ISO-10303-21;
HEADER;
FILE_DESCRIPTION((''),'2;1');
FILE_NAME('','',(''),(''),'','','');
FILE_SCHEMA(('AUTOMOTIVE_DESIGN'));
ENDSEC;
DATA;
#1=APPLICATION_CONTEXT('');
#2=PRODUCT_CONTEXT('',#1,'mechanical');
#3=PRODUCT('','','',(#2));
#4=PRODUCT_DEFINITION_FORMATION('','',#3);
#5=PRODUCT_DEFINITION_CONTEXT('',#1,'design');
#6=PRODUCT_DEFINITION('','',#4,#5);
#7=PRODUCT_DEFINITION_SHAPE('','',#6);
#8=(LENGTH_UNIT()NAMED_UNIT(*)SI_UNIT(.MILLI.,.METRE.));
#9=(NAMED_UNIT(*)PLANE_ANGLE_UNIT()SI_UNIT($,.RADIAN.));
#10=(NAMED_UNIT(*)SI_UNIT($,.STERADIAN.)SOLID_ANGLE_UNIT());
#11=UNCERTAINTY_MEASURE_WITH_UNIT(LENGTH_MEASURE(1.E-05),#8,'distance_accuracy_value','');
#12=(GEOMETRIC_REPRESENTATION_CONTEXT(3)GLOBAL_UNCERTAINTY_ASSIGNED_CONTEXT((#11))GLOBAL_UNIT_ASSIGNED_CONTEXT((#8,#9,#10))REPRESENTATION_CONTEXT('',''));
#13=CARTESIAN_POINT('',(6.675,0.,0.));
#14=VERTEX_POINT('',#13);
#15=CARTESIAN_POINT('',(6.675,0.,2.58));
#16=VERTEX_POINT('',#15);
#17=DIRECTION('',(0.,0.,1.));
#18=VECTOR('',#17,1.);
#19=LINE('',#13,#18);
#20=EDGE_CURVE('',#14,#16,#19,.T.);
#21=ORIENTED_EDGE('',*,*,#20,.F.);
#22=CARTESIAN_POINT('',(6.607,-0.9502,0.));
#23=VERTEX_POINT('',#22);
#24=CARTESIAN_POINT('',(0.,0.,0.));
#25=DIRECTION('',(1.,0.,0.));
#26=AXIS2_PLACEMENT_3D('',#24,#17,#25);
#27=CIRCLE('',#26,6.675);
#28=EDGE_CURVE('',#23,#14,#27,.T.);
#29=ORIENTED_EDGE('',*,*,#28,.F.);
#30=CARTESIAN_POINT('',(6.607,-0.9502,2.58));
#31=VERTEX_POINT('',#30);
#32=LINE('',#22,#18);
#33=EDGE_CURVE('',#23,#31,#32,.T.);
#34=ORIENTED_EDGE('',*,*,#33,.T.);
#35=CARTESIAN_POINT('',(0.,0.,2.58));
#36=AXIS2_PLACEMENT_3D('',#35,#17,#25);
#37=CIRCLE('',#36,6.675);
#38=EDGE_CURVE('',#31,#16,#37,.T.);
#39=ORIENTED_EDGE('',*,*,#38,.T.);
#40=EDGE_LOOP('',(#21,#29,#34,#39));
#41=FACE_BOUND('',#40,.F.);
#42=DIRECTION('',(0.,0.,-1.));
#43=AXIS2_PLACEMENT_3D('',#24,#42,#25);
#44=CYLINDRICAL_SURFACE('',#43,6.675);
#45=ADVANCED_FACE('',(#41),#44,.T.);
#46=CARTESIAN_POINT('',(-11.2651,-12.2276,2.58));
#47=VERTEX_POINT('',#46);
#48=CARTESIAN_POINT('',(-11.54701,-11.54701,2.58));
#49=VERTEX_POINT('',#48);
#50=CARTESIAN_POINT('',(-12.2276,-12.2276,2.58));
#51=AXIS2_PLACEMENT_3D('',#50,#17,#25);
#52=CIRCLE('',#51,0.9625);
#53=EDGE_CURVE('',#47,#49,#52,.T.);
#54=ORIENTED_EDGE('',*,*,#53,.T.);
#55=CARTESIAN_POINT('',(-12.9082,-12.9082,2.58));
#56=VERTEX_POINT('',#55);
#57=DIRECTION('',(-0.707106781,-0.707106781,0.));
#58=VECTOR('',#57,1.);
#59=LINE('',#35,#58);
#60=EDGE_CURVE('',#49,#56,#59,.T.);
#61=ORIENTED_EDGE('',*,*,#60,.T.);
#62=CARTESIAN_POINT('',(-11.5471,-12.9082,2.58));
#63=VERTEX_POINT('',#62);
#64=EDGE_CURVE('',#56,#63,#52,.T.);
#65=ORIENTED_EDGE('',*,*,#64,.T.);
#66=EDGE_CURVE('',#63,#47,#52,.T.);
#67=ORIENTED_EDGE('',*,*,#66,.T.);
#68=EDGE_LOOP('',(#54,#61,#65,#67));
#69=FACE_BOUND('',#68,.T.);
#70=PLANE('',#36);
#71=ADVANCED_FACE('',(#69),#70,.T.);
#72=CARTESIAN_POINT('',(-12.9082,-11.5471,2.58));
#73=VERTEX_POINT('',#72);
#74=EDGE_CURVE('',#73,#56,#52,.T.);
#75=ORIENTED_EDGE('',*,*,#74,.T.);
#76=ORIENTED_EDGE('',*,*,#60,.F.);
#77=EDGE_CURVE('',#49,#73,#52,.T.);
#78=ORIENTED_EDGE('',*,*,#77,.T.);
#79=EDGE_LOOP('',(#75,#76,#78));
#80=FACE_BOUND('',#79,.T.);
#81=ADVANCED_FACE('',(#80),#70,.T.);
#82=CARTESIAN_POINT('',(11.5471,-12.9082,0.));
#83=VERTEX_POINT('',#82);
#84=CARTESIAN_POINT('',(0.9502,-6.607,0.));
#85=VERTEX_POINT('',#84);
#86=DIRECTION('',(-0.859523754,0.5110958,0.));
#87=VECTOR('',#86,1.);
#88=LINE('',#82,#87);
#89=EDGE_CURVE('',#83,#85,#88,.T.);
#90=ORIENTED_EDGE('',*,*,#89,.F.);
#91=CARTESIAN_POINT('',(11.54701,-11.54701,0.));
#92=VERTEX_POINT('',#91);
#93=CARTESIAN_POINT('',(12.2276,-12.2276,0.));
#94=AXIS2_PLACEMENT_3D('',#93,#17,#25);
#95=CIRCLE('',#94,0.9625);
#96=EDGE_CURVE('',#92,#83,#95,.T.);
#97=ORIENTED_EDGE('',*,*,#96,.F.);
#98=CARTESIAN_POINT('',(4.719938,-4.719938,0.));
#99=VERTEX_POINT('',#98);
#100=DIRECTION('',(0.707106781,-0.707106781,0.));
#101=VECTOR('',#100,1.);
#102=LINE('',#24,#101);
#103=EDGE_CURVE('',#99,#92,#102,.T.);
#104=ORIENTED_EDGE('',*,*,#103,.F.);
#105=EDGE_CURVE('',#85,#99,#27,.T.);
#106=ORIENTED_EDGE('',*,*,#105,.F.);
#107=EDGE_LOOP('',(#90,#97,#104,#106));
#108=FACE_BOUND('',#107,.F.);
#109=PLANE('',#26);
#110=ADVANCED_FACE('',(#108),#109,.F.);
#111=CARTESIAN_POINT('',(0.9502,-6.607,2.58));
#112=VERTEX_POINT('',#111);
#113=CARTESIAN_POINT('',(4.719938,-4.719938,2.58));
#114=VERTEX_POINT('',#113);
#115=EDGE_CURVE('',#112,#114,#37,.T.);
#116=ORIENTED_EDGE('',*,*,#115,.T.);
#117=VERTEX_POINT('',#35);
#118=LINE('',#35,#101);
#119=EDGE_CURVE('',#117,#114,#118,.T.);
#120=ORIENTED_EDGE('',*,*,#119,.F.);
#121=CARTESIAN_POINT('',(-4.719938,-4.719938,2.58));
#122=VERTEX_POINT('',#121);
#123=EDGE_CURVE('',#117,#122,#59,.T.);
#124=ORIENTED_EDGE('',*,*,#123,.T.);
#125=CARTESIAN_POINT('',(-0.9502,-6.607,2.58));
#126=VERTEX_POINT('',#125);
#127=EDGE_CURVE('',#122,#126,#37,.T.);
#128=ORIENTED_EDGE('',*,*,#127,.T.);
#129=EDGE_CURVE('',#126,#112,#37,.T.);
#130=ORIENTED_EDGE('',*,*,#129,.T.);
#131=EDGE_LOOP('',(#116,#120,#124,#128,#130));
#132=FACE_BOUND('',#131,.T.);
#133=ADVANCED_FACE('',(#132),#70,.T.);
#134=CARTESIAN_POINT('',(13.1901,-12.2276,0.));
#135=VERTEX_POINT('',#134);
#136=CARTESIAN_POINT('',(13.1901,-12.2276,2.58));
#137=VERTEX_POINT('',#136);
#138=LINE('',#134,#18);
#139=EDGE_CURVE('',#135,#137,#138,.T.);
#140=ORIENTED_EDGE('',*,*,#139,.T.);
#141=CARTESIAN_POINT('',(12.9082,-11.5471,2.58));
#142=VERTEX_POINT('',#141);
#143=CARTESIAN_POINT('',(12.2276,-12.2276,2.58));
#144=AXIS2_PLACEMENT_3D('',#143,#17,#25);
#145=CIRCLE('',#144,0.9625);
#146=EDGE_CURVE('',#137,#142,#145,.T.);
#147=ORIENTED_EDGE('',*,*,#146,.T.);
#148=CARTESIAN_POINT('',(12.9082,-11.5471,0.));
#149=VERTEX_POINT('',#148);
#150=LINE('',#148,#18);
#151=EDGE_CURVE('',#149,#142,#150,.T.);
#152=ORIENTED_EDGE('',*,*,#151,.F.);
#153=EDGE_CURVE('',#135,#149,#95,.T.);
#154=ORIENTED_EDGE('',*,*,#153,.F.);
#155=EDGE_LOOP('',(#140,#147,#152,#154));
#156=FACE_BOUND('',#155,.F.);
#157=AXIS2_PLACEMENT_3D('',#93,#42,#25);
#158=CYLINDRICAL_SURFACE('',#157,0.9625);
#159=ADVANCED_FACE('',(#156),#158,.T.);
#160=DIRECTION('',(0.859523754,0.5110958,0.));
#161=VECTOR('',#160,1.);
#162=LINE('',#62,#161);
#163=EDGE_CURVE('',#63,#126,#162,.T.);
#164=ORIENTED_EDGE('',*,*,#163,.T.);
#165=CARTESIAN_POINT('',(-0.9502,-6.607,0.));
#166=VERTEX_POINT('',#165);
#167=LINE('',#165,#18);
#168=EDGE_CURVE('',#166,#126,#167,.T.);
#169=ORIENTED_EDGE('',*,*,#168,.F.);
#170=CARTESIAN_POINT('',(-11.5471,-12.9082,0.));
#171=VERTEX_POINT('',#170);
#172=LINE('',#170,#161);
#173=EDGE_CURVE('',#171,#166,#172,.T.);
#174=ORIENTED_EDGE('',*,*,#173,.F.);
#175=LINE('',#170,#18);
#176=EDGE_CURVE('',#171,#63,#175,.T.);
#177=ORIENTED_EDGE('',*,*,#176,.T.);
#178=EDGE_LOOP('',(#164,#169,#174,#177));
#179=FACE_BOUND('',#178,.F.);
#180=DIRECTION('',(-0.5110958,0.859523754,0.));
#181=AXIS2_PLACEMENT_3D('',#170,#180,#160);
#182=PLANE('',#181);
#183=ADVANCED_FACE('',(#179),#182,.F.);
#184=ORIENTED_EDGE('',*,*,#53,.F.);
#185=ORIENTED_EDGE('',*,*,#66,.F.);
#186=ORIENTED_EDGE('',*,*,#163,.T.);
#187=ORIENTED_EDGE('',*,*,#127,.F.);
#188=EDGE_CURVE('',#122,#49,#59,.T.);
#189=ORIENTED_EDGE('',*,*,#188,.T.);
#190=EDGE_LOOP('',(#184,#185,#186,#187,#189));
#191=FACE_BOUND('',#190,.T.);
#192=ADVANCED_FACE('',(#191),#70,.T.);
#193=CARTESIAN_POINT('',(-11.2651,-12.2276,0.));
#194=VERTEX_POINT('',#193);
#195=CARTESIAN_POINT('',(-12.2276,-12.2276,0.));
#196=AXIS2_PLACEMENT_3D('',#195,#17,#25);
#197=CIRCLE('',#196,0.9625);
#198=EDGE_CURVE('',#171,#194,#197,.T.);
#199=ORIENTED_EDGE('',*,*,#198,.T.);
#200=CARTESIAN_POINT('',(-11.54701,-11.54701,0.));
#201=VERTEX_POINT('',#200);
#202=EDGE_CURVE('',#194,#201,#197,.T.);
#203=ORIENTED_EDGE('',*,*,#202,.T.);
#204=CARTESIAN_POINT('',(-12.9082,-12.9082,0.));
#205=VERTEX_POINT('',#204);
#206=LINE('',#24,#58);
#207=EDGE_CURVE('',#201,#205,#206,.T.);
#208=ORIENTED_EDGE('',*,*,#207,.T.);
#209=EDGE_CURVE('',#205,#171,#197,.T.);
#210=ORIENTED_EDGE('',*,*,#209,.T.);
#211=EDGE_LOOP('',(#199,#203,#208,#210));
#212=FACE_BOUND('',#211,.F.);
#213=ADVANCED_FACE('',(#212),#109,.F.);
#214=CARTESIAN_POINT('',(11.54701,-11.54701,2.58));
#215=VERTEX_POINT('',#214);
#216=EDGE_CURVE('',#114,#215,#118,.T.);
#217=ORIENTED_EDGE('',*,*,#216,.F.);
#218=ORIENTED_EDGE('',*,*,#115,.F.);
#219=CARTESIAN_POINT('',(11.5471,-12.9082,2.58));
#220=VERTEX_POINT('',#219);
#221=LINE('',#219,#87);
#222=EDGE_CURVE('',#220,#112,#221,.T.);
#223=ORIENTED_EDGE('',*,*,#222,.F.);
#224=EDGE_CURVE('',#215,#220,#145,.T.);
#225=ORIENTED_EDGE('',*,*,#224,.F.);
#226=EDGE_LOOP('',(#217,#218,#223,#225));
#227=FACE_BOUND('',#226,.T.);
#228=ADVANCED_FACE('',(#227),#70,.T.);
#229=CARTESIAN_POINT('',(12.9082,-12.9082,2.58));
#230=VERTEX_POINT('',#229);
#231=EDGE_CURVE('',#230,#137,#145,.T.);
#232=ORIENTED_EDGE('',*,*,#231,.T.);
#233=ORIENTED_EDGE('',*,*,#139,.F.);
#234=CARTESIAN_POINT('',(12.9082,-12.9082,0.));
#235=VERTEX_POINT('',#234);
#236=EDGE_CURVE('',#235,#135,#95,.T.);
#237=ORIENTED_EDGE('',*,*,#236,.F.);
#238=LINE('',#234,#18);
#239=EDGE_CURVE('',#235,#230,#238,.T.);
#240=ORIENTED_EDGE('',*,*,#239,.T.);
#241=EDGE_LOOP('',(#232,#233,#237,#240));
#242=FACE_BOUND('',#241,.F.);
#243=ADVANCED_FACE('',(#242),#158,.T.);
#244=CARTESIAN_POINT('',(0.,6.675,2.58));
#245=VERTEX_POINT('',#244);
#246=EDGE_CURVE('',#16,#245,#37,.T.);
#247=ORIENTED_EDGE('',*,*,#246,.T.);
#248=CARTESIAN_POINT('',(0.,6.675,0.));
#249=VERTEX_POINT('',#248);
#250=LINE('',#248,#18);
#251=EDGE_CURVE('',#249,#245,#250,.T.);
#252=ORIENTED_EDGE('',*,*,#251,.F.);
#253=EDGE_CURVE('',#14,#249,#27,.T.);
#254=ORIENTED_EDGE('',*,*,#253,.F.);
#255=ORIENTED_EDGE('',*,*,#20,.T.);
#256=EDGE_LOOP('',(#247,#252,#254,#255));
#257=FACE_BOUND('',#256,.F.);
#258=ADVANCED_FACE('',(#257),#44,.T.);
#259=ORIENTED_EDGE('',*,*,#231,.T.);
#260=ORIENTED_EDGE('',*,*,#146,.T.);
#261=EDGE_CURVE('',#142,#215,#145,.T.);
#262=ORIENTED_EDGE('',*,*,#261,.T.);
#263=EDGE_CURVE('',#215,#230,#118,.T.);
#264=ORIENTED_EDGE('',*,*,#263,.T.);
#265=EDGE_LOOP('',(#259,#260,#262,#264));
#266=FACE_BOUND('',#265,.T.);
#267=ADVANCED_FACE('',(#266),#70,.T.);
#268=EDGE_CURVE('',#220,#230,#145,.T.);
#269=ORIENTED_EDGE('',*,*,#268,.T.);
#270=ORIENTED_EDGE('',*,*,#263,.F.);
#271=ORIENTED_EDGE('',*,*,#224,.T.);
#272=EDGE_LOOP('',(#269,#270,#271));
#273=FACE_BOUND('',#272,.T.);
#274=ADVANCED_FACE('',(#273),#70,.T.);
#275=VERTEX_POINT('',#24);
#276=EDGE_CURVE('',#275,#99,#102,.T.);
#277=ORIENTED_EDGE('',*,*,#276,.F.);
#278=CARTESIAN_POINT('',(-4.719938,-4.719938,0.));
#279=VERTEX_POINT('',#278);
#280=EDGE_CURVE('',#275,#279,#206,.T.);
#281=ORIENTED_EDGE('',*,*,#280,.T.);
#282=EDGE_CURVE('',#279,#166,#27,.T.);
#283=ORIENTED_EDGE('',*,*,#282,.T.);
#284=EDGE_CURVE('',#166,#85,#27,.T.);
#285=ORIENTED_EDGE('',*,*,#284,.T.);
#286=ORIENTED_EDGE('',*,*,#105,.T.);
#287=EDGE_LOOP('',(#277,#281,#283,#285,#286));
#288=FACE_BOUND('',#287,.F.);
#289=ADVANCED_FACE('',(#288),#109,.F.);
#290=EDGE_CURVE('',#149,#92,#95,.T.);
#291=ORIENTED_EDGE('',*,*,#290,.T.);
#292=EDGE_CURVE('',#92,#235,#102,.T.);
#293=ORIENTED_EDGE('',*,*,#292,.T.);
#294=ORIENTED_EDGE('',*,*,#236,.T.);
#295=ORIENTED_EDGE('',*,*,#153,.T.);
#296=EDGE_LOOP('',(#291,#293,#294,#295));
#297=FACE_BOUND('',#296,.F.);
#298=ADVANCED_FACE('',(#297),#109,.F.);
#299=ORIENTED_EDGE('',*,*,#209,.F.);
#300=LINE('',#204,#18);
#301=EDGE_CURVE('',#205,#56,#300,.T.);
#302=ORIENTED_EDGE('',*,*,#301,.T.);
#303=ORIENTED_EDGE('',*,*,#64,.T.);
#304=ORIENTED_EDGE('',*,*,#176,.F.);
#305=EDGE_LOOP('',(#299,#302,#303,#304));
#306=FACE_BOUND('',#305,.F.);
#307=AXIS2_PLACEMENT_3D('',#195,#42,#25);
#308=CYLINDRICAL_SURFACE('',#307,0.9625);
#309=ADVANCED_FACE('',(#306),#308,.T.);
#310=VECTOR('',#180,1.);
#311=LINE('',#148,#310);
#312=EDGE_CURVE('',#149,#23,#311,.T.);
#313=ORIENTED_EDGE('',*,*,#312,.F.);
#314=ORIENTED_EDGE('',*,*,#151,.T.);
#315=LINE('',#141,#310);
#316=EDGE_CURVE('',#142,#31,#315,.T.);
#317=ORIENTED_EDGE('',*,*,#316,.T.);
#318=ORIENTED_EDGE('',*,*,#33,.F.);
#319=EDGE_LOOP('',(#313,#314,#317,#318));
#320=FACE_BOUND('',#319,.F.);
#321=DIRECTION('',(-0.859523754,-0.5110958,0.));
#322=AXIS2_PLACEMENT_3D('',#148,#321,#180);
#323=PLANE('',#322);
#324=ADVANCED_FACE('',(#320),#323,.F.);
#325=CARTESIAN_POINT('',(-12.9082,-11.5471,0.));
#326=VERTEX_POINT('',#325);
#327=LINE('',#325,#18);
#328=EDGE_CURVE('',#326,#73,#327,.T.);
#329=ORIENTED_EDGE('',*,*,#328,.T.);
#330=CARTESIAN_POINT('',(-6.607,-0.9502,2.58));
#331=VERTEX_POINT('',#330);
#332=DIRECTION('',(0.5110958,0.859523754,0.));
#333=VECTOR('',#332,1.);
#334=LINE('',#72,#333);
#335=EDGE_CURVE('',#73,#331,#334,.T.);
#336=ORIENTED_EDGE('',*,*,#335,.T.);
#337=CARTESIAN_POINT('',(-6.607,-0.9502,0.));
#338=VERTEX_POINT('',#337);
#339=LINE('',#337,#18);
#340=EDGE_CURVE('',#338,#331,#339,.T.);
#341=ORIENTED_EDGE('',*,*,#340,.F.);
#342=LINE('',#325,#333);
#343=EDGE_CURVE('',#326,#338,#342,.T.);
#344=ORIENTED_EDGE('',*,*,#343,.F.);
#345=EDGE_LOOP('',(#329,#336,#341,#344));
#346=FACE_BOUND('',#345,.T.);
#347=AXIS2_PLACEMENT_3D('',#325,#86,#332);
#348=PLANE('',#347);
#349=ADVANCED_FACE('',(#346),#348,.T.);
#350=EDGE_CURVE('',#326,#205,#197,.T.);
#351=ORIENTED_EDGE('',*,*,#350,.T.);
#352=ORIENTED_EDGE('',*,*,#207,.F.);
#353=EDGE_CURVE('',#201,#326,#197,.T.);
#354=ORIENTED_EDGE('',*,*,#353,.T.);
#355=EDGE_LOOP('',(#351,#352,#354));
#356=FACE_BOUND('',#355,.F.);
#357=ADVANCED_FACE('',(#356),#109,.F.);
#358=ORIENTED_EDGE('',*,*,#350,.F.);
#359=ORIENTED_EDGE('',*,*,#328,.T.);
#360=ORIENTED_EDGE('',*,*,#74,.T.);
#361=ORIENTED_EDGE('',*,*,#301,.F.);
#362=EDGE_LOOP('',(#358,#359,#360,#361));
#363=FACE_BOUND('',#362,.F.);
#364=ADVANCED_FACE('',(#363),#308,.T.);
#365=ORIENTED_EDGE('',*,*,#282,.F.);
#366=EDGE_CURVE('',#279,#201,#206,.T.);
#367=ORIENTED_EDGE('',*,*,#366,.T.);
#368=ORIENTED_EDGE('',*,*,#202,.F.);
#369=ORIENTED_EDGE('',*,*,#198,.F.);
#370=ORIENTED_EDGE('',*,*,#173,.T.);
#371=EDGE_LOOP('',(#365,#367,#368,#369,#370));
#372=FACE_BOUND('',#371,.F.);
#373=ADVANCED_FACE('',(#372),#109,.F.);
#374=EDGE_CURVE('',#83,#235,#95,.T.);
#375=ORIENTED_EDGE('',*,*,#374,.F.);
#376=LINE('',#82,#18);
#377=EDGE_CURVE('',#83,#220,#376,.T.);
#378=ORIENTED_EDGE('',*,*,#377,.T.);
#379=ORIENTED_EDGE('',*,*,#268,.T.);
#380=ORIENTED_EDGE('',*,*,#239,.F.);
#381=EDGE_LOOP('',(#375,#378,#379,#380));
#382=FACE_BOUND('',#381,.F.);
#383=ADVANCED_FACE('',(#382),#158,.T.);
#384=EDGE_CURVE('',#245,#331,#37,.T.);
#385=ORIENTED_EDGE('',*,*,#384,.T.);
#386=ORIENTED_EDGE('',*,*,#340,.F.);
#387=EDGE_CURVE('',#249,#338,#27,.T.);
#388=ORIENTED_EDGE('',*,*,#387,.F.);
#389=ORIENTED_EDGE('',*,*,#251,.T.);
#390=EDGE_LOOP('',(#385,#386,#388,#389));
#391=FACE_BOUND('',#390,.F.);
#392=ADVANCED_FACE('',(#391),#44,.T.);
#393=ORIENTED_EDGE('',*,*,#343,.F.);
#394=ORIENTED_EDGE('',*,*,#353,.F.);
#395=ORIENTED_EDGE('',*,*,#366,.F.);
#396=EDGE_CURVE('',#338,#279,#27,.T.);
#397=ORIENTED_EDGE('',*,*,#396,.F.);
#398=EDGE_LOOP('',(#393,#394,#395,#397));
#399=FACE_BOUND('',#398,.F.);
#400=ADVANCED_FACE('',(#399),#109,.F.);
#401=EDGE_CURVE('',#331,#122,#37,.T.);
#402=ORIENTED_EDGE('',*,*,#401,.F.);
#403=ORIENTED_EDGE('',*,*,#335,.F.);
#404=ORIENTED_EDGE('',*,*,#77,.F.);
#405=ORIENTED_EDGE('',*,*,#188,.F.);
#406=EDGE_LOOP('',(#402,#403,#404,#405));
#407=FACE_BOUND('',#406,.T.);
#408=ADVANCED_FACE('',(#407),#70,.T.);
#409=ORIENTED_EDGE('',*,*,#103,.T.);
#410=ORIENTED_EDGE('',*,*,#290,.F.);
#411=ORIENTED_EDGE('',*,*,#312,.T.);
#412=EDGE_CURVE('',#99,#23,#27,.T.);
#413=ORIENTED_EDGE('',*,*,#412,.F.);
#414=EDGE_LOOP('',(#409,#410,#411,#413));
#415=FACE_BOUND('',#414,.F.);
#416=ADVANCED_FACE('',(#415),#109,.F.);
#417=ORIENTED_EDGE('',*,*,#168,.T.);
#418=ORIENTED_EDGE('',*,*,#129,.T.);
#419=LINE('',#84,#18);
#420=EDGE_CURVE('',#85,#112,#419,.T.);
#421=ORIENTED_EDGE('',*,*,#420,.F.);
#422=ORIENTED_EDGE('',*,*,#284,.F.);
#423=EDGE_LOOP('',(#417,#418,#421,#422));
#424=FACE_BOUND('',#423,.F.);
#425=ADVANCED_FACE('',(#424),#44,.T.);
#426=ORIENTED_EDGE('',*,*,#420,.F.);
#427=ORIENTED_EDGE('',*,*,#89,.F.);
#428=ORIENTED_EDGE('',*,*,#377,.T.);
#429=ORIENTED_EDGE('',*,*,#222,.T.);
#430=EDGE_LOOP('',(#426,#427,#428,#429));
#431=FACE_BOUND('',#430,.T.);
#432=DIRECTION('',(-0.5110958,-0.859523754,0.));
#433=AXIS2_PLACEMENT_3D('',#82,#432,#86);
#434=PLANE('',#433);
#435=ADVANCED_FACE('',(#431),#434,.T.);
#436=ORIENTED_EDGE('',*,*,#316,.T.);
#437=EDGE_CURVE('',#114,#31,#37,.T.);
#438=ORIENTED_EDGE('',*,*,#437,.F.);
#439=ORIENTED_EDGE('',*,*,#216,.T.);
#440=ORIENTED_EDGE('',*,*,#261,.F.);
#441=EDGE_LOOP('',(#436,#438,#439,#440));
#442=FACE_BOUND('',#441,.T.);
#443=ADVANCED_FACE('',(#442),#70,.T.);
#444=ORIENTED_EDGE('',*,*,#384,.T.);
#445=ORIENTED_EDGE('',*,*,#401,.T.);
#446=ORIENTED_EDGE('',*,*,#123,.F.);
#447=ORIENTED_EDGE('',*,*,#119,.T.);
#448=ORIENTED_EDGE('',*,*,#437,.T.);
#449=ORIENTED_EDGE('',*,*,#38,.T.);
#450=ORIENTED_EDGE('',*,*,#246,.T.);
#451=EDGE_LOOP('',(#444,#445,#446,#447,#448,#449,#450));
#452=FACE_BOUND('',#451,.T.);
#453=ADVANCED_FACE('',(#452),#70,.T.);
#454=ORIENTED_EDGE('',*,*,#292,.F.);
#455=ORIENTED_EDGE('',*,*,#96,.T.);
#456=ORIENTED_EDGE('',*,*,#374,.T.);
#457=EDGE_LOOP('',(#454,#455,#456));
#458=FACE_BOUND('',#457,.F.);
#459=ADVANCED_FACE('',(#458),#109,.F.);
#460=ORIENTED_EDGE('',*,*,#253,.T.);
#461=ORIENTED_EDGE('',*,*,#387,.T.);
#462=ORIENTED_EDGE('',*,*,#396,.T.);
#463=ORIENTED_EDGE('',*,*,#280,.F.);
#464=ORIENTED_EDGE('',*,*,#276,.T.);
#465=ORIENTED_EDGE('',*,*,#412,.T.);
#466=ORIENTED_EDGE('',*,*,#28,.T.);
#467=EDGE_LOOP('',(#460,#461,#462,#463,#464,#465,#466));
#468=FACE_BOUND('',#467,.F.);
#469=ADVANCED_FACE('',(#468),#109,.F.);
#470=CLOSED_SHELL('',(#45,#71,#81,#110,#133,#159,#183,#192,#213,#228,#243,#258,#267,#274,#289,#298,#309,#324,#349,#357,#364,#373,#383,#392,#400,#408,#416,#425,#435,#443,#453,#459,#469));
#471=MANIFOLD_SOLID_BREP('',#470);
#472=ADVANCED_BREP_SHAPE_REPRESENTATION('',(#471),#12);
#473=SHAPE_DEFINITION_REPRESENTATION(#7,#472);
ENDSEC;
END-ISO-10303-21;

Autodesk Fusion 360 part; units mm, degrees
sketch "Sketch1" plane through (0, 0, 0) normal (0, 0, 1) x (1, 0, 0)
  line L0 (0, 0) -> (12.9082, -12.9082)
  line L1 (1.75, 0) -> (22.5, 0)
  line L2 (0, 0) -> (-12.9082, -12.9082)
  circle A0 centre (-12.2276, -12.2276) radius 0.9625
  circle A1 centre (12.2276, -12.2276) radius 0.9625
  circle A2 centre (0, 0) radius 6.675
  line L3 (-13.701, -10.7542) -> (-10.5388, -13.9165) construction
  line L4 (-12.9082, -11.5471) -> (-6.607, -0.9502)
  line L5 (-11.5471, -12.9082) -> (-0.9502, -6.607)
  line L6 (0, 1.75) -> (0, 22.5)
  line L7 (12.9082, -11.5471) -> (6.607, -0.9502)
  line L8 (11.5471, -12.9082) -> (0.9502, -6.607)
  dimension "d1" = 18.255
  dimension "d2" = 45
  dimension "d4" = -90
  dimension "d5" = 1.925
  dimension "d6" = 1.925
  dimension "d7" = 13.35
  dimension "d8" = 8
extrude "Extrude1" add sketch "Sketch1" along normal blind 2.58
sketch "Sketch2" plane through (0, 0, 2.58) normal (0, 0, 1) x (-1, 0, 0)
  line L0 (-12.9082, 11.5471) -> (-6.607, 0.9502)
  arc A0 (-6.607, 0.9502) -> (6.607, 0.9502) centre (0, 0) ccw
  line L1 (6.607, 0.9502) -> (12.9082, 11.5471)
  arc A1 (12.9082, 11.5471) -> (11.5471, 12.9082) centre (12.2276, 12.2276) ccw
  line L2 (11.5471, 12.9082) -> (0.9502, 6.607)
  arc A2 (0.9502, 6.607) -> (-0.9502, 6.607) centre (0, 0) ccw
  line L3 (-0.9502, 6.607) -> (-11.5471, 12.9082)
  arc A3 (-11.5471, 12.9082) -> (-12.9082, 11.5471) centre (-12.2276, 12.2276) ccw
